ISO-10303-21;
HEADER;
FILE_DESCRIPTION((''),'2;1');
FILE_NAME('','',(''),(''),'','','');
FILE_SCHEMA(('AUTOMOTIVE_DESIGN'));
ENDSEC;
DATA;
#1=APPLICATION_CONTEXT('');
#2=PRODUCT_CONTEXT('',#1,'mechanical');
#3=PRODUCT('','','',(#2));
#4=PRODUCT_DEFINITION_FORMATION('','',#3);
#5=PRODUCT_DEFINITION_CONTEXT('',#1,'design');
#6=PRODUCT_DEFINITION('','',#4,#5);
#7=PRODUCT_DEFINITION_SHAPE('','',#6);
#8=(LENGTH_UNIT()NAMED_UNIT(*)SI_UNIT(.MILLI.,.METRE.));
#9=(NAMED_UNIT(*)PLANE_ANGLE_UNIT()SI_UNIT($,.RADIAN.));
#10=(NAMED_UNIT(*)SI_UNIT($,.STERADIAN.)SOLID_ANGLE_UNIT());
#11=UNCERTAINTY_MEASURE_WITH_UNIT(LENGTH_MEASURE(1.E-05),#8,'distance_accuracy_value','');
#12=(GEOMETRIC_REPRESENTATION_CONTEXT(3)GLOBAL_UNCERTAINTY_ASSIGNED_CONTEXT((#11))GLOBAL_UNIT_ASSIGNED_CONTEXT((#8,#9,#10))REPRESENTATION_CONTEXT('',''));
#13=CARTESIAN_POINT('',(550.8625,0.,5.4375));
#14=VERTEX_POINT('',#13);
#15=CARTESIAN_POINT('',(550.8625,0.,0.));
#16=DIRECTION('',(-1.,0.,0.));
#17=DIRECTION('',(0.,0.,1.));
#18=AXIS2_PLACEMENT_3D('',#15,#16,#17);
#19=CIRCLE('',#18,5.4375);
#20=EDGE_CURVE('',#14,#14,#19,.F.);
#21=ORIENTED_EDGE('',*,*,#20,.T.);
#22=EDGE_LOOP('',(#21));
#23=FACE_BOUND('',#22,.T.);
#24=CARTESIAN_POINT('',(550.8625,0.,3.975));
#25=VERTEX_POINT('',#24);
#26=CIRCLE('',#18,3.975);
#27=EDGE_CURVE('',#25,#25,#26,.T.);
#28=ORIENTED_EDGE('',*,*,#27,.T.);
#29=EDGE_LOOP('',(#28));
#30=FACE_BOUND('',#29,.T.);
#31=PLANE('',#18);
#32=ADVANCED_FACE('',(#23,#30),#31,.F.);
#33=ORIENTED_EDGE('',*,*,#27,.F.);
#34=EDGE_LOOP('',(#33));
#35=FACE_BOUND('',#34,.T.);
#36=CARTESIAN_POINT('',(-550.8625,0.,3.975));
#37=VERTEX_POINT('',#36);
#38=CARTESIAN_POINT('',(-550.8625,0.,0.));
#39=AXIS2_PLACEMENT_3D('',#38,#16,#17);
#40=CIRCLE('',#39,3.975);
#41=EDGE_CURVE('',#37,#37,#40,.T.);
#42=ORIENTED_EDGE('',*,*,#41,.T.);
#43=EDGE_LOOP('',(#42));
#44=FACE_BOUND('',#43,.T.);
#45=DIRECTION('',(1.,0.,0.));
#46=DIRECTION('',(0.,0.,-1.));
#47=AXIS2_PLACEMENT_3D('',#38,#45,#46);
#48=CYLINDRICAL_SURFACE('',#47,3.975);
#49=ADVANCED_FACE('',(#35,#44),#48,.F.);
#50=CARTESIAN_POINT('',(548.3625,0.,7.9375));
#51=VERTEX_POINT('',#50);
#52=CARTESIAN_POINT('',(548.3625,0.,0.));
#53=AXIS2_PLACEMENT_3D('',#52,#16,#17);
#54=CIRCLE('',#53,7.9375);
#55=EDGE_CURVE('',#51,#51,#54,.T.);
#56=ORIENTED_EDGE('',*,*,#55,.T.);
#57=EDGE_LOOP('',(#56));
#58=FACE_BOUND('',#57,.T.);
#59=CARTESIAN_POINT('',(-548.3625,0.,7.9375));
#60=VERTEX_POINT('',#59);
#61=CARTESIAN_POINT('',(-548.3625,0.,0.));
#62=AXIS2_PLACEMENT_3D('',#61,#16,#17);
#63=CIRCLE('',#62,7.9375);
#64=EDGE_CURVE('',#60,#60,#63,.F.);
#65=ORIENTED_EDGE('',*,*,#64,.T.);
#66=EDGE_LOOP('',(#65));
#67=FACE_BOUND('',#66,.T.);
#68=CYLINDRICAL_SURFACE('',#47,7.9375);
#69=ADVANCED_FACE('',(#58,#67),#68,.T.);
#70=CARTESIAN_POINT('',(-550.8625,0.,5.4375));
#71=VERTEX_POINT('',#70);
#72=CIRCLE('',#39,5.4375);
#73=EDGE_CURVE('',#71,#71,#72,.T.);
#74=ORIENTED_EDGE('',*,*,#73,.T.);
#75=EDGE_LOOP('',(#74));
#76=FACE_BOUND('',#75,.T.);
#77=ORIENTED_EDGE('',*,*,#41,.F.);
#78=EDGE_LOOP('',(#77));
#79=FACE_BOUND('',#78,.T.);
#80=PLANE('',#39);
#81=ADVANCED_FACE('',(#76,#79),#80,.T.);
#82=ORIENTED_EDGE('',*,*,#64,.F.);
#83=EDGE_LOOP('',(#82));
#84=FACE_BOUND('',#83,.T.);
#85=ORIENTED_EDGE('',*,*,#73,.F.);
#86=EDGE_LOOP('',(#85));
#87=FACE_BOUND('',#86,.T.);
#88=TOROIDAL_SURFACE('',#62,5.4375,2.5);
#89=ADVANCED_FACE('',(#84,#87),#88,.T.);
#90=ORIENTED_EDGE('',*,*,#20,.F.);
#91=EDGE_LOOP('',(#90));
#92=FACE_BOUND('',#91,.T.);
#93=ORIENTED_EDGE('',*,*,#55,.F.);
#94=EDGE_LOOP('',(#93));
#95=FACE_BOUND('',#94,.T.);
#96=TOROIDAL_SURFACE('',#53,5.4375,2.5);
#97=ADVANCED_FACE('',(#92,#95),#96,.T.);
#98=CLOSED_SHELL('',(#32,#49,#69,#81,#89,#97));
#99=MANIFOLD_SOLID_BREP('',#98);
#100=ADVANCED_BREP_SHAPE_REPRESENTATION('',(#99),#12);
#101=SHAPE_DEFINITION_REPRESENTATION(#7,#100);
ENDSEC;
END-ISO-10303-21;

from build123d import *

# Parameters (mm, degrees)
SKETCH_1_R        = 7.9375
SKETCH_1_R_2      = 3.975
EXTRUDE_1_DEPTH   = 550.8625
FILLET_1_R        = 2.5
MOVE_BODY_1_ANGLE = 90


with BuildPart() as part:
    # 스케치1 → 보스-돌출1 (new body, symmetric)
    with BuildSketch(Plane(origin=(0, 0, 0), x_dir=(1, 0, 0), z_dir=(0, 1, 0))):
        Circle(SKETCH_1_R)
        Circle(SKETCH_1_R_2, mode=Mode.SUBTRACT)
    extrude(amount=EXTRUDE_1_DEPTH, both=True)

    # 필렛1
    fillet_1_edges = [part.edges().sort_by_distance(p)[0] for p in [
        (-7.9375, -550.8625, 0),
        (-7.9375, 550.8625, 0),
    ]]
    fillet(fillet_1_edges, radius=FILLET_1_R)


with BuildPart() as part_1:
    # Move Body 1: moved
    add(part.part.rotate(Axis((0, 0, 0), (0, 0, 1)), MOVE_BODY_1_ANGLE))


solid = part_1.part
